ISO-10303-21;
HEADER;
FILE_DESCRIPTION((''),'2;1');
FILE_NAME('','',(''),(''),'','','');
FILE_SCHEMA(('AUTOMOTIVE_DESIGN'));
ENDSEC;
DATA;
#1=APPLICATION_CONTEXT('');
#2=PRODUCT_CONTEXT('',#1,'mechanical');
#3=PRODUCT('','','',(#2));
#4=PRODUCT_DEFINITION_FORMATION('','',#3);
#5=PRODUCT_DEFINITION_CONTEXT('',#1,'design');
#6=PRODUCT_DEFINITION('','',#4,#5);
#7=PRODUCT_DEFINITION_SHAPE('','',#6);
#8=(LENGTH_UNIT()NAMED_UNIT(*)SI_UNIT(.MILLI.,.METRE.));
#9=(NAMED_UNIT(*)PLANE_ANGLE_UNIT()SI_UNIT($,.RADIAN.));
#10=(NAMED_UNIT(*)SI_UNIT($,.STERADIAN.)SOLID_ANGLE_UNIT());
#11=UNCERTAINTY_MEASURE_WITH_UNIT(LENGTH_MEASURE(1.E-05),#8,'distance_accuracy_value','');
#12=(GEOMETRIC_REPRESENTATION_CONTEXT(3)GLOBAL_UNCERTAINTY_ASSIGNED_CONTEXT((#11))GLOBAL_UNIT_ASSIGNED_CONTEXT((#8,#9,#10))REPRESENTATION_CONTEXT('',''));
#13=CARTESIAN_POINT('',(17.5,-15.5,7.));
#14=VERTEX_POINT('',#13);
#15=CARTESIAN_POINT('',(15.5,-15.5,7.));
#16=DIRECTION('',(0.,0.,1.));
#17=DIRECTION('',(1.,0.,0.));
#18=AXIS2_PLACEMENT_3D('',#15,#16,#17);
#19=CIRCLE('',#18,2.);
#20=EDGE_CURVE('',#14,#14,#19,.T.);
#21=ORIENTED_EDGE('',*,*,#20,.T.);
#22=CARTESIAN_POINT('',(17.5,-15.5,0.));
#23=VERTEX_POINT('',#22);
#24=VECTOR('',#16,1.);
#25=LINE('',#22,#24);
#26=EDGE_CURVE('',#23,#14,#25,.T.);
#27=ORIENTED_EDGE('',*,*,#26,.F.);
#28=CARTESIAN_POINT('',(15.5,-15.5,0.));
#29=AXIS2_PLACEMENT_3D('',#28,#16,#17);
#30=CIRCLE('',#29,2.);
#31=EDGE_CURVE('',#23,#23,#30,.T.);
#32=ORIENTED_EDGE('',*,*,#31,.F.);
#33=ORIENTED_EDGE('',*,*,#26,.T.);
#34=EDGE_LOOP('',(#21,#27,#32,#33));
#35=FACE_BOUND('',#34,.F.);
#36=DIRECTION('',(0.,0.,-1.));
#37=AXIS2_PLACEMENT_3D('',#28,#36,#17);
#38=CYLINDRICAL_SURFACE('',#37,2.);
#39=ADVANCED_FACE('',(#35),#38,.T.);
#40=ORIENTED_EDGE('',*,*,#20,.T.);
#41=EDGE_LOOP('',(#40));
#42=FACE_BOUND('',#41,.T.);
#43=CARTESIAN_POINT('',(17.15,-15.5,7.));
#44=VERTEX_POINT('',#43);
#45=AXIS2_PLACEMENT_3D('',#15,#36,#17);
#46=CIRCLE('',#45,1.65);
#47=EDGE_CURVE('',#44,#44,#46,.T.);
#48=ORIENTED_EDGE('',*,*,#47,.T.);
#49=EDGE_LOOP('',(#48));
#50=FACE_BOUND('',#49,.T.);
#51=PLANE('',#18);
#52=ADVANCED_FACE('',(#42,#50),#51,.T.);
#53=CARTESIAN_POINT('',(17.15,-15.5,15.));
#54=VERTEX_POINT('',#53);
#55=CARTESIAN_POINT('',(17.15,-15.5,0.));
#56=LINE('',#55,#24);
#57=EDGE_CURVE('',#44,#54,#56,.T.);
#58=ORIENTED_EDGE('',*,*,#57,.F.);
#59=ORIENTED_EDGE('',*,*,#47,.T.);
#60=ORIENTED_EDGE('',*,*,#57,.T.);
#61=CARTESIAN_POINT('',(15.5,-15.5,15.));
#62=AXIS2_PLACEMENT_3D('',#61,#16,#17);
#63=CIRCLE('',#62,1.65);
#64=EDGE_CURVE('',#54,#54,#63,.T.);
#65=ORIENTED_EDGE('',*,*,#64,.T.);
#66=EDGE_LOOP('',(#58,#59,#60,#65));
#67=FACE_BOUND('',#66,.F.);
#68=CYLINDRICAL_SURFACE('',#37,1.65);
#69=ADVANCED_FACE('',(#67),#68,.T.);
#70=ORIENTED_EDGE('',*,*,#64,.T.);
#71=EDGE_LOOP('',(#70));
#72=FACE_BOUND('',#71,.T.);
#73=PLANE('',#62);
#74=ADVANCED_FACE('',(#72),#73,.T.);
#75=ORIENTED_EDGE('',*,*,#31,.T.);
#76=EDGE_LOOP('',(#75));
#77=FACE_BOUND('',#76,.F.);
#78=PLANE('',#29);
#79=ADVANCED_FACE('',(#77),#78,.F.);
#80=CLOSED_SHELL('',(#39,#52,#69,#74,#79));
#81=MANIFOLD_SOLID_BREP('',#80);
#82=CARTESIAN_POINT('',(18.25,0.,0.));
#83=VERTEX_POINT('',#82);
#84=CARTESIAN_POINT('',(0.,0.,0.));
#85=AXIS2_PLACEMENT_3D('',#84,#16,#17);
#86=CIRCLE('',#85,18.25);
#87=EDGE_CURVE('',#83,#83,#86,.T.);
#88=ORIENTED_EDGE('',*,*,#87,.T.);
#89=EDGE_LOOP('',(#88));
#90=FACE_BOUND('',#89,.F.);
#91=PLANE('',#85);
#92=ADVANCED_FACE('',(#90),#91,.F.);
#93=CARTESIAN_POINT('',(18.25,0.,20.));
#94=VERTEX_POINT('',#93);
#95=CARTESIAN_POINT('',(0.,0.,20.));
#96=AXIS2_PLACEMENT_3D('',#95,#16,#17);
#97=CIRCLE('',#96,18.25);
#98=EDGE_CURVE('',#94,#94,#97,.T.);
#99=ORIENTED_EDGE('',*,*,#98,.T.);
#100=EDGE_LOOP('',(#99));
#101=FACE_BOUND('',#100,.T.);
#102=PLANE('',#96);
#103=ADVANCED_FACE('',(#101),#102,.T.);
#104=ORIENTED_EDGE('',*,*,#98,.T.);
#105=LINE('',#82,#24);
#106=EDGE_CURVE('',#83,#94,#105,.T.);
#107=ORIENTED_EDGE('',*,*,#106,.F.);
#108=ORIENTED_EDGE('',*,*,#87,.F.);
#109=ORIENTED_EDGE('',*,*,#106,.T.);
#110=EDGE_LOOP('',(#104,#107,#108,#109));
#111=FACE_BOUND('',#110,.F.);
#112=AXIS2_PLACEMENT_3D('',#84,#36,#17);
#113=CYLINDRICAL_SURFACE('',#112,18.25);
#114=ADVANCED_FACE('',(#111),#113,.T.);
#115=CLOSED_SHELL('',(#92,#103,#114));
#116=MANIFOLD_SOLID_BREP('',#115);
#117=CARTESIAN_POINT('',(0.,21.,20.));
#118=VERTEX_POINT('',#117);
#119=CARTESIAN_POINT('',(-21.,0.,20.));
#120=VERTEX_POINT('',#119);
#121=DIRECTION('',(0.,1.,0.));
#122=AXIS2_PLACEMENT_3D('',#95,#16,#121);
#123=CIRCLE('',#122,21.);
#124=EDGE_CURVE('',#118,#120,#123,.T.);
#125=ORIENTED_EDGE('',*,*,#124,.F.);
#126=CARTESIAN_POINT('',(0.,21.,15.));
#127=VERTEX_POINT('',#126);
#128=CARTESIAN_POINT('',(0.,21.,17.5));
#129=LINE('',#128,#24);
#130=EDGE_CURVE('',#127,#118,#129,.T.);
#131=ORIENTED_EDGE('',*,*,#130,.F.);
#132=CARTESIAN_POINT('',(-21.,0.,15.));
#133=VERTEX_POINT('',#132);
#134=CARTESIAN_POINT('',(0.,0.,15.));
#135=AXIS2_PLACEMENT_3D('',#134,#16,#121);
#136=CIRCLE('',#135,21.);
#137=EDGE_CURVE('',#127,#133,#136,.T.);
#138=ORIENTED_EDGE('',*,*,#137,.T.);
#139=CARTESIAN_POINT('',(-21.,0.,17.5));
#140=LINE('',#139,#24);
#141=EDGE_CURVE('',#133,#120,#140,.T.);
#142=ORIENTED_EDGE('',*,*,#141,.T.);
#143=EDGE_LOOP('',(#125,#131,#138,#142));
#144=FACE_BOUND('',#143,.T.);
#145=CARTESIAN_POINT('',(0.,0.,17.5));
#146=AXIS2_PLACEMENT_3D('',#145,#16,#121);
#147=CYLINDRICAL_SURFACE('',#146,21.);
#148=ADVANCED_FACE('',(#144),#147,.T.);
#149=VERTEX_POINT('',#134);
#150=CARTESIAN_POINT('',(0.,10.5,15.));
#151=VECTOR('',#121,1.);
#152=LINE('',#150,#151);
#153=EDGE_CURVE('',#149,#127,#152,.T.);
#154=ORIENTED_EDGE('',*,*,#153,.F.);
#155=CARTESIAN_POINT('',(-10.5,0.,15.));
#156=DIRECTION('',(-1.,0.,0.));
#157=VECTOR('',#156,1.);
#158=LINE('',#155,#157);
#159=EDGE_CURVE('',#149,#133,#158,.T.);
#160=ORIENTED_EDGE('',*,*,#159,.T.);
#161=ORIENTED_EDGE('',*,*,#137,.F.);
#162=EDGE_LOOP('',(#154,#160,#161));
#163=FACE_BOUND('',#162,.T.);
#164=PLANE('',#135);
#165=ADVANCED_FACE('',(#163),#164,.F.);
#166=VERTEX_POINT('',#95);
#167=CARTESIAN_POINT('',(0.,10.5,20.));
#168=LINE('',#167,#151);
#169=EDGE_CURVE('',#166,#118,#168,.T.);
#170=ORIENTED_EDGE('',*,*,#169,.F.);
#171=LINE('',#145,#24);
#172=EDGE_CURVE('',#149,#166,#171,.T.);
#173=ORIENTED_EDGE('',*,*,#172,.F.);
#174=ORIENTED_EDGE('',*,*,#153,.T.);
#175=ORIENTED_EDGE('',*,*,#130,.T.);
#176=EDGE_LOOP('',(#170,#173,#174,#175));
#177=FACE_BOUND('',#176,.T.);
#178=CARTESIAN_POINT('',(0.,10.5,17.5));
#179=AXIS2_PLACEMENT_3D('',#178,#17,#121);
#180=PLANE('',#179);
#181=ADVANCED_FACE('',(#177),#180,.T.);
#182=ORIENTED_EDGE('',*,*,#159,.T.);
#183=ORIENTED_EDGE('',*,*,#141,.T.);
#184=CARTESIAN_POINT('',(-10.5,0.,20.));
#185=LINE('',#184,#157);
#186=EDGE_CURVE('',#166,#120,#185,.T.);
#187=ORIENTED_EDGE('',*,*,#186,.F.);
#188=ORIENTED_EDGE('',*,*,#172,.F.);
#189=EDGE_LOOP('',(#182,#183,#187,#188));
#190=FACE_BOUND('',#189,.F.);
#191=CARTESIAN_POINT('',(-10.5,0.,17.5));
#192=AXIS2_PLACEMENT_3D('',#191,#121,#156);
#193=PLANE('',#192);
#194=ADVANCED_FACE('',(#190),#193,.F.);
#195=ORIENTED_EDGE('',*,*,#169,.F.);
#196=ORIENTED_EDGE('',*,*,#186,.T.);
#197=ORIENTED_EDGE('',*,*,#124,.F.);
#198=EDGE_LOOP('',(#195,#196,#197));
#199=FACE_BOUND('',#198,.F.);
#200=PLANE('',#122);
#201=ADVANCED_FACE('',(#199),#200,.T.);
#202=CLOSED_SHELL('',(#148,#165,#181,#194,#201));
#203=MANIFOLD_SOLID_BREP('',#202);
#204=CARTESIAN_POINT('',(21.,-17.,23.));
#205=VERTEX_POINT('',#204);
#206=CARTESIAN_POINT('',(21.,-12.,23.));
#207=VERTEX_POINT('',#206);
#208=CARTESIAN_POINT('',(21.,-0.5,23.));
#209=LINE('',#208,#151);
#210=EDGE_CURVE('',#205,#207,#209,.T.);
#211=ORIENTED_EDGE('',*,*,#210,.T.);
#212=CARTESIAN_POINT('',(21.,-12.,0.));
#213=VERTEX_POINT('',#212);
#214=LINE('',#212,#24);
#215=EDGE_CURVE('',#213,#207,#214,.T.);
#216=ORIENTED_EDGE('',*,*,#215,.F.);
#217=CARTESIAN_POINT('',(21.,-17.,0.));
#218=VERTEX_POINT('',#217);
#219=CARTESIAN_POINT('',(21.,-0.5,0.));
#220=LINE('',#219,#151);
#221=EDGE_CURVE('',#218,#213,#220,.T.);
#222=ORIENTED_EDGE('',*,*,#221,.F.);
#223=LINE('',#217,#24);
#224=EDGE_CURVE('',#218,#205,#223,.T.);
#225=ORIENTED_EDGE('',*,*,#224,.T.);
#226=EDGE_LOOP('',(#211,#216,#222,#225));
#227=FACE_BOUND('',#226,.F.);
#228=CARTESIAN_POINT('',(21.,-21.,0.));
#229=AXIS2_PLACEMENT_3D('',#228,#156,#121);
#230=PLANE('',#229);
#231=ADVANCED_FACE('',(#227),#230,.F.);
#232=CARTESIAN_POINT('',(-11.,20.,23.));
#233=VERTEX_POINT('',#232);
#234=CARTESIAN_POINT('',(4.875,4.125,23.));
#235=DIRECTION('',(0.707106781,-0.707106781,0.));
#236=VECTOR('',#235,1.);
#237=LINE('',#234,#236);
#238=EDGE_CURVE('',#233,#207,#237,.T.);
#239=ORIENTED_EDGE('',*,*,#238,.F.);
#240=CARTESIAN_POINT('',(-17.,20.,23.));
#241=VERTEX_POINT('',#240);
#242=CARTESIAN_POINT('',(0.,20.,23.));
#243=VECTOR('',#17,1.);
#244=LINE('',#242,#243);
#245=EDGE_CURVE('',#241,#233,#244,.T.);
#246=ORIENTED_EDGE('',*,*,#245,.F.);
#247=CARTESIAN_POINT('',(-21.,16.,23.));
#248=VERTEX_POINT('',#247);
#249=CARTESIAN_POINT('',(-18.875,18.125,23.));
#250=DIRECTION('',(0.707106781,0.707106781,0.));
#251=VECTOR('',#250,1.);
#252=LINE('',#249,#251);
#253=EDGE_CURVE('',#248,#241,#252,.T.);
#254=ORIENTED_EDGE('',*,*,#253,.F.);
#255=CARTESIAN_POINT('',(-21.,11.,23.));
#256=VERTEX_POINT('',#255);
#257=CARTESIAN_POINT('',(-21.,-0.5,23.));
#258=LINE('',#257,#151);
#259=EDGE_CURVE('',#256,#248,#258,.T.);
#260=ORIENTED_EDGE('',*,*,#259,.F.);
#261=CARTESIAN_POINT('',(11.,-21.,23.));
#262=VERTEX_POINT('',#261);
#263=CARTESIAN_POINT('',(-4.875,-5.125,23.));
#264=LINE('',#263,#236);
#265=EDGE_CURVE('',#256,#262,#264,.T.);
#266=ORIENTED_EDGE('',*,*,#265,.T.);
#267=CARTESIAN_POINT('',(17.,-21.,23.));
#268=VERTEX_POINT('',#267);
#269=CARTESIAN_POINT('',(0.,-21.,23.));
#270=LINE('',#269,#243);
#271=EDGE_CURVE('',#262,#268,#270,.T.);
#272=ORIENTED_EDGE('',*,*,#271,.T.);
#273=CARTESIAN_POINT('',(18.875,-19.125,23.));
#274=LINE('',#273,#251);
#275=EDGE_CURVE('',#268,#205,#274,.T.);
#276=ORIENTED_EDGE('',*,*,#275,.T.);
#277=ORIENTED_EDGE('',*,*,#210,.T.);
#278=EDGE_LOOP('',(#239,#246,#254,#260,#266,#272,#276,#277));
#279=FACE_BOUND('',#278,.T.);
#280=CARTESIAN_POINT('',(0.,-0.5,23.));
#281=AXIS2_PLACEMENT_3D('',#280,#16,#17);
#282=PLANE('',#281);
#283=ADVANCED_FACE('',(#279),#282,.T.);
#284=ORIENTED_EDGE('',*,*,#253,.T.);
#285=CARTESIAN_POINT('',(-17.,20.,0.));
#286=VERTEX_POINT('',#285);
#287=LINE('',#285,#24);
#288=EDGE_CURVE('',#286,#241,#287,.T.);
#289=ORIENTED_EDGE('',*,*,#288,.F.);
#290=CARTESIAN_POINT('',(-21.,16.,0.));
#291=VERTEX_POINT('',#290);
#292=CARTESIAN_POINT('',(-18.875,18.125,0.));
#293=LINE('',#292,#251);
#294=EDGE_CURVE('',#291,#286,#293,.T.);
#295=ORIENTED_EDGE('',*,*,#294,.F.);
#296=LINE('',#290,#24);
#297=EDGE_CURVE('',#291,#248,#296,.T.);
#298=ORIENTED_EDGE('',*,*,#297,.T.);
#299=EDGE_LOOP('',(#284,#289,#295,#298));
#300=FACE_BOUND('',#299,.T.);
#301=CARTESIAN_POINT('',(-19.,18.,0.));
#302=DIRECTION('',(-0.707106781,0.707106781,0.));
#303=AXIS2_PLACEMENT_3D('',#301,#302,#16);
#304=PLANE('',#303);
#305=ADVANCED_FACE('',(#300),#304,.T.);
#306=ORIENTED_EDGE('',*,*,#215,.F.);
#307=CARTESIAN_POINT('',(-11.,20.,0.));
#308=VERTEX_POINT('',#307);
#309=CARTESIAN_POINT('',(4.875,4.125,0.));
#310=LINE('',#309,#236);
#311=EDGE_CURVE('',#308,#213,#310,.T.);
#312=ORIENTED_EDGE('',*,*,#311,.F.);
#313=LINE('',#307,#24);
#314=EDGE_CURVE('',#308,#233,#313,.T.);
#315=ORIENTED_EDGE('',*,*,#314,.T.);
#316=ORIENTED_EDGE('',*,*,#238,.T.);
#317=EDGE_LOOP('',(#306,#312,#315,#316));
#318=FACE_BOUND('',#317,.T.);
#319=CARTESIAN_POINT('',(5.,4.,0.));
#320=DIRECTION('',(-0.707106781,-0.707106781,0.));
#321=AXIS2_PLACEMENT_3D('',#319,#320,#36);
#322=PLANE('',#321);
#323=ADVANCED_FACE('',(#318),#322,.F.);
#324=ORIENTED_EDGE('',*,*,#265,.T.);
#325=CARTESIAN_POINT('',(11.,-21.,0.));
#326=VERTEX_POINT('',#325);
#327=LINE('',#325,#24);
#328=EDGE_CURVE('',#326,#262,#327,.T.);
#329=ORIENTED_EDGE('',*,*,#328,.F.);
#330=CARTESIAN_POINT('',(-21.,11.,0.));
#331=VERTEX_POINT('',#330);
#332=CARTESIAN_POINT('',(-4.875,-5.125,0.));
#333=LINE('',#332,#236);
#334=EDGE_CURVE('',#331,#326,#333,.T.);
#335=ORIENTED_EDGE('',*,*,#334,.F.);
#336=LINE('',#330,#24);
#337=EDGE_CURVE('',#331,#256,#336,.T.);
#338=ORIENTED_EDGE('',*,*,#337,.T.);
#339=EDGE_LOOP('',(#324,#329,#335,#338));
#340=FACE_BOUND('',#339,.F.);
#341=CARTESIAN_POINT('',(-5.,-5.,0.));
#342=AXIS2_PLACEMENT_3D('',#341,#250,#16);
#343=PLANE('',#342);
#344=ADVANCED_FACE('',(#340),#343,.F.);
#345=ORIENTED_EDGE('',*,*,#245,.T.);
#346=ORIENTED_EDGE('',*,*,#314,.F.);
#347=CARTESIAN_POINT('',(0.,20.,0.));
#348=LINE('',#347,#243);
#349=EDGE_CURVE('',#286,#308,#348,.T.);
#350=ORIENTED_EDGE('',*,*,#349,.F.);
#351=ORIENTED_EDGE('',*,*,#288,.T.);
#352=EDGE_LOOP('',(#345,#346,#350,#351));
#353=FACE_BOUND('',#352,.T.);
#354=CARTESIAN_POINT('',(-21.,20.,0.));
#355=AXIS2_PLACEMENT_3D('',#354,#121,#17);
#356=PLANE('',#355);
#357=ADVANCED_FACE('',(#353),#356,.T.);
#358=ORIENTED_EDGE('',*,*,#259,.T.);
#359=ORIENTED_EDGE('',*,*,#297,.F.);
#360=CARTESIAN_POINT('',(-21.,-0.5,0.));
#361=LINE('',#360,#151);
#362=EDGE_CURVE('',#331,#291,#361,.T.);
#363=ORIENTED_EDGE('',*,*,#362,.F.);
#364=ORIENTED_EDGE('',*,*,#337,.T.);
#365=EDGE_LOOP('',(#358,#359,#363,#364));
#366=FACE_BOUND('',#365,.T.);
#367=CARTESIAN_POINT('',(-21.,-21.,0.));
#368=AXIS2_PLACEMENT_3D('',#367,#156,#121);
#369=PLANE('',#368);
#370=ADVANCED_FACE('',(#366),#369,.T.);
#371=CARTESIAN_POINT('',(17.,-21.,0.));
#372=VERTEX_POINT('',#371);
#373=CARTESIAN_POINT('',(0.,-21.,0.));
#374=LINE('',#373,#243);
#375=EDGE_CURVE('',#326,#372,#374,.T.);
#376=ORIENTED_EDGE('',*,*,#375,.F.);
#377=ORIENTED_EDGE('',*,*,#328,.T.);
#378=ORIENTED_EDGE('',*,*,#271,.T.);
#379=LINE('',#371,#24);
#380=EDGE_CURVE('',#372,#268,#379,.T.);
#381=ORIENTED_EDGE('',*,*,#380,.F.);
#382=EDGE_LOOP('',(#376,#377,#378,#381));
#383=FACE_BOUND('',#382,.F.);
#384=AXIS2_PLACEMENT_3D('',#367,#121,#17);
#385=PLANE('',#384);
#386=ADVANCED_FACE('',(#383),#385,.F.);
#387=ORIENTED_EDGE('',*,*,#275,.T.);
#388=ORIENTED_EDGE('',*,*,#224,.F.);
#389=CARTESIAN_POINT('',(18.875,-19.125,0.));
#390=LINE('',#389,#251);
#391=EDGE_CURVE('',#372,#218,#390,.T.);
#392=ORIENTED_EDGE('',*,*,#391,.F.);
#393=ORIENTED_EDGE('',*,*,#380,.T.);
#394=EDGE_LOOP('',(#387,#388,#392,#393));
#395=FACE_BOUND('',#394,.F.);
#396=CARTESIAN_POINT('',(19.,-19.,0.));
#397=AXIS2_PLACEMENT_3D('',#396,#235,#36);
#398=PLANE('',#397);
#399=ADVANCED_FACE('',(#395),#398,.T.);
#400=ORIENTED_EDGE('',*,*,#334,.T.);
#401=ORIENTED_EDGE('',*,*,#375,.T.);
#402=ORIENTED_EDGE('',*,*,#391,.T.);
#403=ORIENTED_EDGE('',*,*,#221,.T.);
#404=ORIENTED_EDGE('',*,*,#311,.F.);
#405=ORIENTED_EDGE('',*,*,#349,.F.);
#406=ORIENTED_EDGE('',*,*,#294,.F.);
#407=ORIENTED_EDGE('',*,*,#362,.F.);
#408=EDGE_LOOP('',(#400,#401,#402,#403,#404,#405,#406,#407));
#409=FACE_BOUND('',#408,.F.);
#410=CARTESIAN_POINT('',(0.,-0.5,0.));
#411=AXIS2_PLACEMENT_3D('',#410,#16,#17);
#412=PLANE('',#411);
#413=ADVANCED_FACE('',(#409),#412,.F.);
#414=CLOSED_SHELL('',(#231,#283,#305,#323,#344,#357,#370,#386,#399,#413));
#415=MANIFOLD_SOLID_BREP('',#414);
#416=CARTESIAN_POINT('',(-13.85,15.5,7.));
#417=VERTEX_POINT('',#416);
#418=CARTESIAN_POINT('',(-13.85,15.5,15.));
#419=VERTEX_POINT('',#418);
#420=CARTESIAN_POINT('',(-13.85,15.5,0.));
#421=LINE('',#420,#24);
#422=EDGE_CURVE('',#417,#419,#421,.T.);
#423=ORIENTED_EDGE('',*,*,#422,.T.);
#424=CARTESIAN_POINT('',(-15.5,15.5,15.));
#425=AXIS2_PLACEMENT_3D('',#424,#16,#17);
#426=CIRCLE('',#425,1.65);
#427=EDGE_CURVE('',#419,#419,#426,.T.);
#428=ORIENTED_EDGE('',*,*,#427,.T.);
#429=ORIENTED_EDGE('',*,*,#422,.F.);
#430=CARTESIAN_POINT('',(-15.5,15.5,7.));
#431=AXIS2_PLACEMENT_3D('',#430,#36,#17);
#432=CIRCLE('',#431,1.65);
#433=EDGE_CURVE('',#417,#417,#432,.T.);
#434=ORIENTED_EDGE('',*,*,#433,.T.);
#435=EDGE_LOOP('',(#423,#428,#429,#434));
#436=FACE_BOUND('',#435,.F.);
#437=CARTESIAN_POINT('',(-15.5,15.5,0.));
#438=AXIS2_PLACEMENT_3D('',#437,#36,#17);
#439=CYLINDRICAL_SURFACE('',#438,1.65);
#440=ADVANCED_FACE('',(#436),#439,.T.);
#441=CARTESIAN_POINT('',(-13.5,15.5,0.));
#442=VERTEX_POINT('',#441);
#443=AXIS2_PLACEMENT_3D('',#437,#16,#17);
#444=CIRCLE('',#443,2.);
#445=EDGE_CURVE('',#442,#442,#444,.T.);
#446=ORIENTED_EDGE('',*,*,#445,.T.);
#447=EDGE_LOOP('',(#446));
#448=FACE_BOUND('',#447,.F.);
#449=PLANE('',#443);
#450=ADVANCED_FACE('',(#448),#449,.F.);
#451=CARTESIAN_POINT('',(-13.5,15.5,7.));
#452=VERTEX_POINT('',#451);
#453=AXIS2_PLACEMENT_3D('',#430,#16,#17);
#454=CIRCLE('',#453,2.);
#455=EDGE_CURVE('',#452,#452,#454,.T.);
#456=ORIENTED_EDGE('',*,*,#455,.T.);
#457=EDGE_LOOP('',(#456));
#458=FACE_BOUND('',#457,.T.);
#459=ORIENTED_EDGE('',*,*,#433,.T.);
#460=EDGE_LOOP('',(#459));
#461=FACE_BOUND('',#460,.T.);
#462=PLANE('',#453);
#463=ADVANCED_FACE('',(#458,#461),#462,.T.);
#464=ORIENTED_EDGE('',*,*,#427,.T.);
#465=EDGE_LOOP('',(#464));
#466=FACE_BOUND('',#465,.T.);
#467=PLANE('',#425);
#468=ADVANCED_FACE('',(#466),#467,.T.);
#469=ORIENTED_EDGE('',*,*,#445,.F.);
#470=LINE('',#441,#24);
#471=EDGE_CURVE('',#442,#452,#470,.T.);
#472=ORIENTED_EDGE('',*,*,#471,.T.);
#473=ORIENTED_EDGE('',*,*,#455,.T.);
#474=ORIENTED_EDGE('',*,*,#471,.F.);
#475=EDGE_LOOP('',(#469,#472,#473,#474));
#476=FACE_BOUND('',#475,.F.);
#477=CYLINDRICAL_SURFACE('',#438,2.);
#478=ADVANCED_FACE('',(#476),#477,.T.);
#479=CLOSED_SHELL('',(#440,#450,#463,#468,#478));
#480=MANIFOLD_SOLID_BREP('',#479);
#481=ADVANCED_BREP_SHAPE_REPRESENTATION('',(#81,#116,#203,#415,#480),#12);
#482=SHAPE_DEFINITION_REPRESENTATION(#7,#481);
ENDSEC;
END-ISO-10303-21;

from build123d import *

# Parameters (mm, degrees)
CYLINDER005_R     = 1.65
CYLINDER005_DEPTH = 15
CYLINDER003_R     = 18.25
CYLINDER003_DEPTH = 20
CYLINDER002_R     = 2
CYLINDER002_DEPTH = 7
CYLINDER_R        = 2
CYLINDER_DEPTH    = 7
CYLINDER004_R     = 1.65
CYLINDER004_DEPTH = 15
BOX_W             = 42
BOX_H             = 41
BOX_DEPTH         = 23
CHAMFER_SIZE      = 4
CHAMFER001_SIZE   = 32
CYLINDER006_W     = 21
CYLINDER006_H     = 5
CYLINDER006_ANGLE = 90


with BuildPart() as cylinder005:
    # Cylinder005 → Cylinder005 (new body)
    with BuildSketch(Plane(origin=(15.5, -15.5, 0), x_dir=(1, 0, 0), z_dir=(0, 0, 1))):
        Circle(CYLINDER005_R)
    extrude(amount=CYLINDER005_DEPTH)


with BuildPart() as cylinder003:
    # Cylinder003 → Cylinder003 (new body)
    with BuildSketch(Plane.XY):
        Circle(CYLINDER003_R)
    extrude(amount=CYLINDER003_DEPTH)


with BuildPart() as cylinder002:
    # Cylinder002 → Cylinder002 (new body)
    with BuildSketch(Plane(origin=(-15.5, 15.5, 0), x_dir=(1, 0, 0), z_dir=(0, 0, 1))):
        Circle(CYLINDER002_R)
    extrude(amount=CYLINDER002_DEPTH)


with BuildPart() as cylinder:
    # Cylinder → Cylinder (new body)
    with BuildSketch(Plane(origin=(15.5, -15.5, 0), x_dir=(1, 0, 0), z_dir=(0, 0, 1))):
        Circle(CYLINDER_R)
    extrude(amount=CYLINDER_DEPTH)


with BuildPart() as fusion:
    # Cylinder004 → Cylinder004 (new body)
    with BuildSketch(Plane(origin=(-15.5, 15.5, 0), x_dir=(1, 0, 0), z_dir=(0, 0, 1))):
        Circle(CYLINDER004_R)
    extrude(amount=CYLINDER004_DEPTH)

    # Fusion: union Cylinder005, Cylinder003, Cylinder002, Cylinder
    add(cylinder005.part)
    add(cylinder003.part)
    add(cylinder002.part)
    add(cylinder.part)


with BuildPart() as chamfer001:
    # Box → Box (new body)
    with BuildSketch(Plane(origin=(-21, -21, 0), x_dir=(1, 0, 0), z_dir=(0, 0, 1))):
        with Locations((21, 20.5)):
            Rectangle(BOX_W, BOX_H)
    extrude(amount=BOX_DEPTH)

    # Chamfer
    chamfer_edges = [chamfer001.edges().sort_by_distance(p)[0] for p in [
        (-21, 20, 11.5),
        (21, -21, 11.5),
    ]]
    chamfer(chamfer_edges, length=CHAMFER_SIZE)

    # Chamfer001
    chamfer001_edges = [chamfer001.edges().sort_by_distance(p)[0] for p in [
        (-21, -21, 11.5),
        (21, 20, 11.5),
    ]]
    chamfer(chamfer001_edges, length=CHAMFER001_SIZE)


with BuildPart() as cylinder006:
    # Cylinder006 → Cylinder006 (revolve)
    with BuildSketch(Plane(origin=(0, 0, 15), x_dir=(0, 1, 0), z_dir=(1, 0, 0))):
        with Locations((10.5, 2.5)):
            Rectangle(CYLINDER006_W, CYLINDER006_H)
    revolve(axis=Axis((0, 0, 15), (0, 0, 1)), revolution_arc=CYLINDER006_ANGLE)


solid = Compound([fusion.part, chamfer001.part, cylinder006.part])
